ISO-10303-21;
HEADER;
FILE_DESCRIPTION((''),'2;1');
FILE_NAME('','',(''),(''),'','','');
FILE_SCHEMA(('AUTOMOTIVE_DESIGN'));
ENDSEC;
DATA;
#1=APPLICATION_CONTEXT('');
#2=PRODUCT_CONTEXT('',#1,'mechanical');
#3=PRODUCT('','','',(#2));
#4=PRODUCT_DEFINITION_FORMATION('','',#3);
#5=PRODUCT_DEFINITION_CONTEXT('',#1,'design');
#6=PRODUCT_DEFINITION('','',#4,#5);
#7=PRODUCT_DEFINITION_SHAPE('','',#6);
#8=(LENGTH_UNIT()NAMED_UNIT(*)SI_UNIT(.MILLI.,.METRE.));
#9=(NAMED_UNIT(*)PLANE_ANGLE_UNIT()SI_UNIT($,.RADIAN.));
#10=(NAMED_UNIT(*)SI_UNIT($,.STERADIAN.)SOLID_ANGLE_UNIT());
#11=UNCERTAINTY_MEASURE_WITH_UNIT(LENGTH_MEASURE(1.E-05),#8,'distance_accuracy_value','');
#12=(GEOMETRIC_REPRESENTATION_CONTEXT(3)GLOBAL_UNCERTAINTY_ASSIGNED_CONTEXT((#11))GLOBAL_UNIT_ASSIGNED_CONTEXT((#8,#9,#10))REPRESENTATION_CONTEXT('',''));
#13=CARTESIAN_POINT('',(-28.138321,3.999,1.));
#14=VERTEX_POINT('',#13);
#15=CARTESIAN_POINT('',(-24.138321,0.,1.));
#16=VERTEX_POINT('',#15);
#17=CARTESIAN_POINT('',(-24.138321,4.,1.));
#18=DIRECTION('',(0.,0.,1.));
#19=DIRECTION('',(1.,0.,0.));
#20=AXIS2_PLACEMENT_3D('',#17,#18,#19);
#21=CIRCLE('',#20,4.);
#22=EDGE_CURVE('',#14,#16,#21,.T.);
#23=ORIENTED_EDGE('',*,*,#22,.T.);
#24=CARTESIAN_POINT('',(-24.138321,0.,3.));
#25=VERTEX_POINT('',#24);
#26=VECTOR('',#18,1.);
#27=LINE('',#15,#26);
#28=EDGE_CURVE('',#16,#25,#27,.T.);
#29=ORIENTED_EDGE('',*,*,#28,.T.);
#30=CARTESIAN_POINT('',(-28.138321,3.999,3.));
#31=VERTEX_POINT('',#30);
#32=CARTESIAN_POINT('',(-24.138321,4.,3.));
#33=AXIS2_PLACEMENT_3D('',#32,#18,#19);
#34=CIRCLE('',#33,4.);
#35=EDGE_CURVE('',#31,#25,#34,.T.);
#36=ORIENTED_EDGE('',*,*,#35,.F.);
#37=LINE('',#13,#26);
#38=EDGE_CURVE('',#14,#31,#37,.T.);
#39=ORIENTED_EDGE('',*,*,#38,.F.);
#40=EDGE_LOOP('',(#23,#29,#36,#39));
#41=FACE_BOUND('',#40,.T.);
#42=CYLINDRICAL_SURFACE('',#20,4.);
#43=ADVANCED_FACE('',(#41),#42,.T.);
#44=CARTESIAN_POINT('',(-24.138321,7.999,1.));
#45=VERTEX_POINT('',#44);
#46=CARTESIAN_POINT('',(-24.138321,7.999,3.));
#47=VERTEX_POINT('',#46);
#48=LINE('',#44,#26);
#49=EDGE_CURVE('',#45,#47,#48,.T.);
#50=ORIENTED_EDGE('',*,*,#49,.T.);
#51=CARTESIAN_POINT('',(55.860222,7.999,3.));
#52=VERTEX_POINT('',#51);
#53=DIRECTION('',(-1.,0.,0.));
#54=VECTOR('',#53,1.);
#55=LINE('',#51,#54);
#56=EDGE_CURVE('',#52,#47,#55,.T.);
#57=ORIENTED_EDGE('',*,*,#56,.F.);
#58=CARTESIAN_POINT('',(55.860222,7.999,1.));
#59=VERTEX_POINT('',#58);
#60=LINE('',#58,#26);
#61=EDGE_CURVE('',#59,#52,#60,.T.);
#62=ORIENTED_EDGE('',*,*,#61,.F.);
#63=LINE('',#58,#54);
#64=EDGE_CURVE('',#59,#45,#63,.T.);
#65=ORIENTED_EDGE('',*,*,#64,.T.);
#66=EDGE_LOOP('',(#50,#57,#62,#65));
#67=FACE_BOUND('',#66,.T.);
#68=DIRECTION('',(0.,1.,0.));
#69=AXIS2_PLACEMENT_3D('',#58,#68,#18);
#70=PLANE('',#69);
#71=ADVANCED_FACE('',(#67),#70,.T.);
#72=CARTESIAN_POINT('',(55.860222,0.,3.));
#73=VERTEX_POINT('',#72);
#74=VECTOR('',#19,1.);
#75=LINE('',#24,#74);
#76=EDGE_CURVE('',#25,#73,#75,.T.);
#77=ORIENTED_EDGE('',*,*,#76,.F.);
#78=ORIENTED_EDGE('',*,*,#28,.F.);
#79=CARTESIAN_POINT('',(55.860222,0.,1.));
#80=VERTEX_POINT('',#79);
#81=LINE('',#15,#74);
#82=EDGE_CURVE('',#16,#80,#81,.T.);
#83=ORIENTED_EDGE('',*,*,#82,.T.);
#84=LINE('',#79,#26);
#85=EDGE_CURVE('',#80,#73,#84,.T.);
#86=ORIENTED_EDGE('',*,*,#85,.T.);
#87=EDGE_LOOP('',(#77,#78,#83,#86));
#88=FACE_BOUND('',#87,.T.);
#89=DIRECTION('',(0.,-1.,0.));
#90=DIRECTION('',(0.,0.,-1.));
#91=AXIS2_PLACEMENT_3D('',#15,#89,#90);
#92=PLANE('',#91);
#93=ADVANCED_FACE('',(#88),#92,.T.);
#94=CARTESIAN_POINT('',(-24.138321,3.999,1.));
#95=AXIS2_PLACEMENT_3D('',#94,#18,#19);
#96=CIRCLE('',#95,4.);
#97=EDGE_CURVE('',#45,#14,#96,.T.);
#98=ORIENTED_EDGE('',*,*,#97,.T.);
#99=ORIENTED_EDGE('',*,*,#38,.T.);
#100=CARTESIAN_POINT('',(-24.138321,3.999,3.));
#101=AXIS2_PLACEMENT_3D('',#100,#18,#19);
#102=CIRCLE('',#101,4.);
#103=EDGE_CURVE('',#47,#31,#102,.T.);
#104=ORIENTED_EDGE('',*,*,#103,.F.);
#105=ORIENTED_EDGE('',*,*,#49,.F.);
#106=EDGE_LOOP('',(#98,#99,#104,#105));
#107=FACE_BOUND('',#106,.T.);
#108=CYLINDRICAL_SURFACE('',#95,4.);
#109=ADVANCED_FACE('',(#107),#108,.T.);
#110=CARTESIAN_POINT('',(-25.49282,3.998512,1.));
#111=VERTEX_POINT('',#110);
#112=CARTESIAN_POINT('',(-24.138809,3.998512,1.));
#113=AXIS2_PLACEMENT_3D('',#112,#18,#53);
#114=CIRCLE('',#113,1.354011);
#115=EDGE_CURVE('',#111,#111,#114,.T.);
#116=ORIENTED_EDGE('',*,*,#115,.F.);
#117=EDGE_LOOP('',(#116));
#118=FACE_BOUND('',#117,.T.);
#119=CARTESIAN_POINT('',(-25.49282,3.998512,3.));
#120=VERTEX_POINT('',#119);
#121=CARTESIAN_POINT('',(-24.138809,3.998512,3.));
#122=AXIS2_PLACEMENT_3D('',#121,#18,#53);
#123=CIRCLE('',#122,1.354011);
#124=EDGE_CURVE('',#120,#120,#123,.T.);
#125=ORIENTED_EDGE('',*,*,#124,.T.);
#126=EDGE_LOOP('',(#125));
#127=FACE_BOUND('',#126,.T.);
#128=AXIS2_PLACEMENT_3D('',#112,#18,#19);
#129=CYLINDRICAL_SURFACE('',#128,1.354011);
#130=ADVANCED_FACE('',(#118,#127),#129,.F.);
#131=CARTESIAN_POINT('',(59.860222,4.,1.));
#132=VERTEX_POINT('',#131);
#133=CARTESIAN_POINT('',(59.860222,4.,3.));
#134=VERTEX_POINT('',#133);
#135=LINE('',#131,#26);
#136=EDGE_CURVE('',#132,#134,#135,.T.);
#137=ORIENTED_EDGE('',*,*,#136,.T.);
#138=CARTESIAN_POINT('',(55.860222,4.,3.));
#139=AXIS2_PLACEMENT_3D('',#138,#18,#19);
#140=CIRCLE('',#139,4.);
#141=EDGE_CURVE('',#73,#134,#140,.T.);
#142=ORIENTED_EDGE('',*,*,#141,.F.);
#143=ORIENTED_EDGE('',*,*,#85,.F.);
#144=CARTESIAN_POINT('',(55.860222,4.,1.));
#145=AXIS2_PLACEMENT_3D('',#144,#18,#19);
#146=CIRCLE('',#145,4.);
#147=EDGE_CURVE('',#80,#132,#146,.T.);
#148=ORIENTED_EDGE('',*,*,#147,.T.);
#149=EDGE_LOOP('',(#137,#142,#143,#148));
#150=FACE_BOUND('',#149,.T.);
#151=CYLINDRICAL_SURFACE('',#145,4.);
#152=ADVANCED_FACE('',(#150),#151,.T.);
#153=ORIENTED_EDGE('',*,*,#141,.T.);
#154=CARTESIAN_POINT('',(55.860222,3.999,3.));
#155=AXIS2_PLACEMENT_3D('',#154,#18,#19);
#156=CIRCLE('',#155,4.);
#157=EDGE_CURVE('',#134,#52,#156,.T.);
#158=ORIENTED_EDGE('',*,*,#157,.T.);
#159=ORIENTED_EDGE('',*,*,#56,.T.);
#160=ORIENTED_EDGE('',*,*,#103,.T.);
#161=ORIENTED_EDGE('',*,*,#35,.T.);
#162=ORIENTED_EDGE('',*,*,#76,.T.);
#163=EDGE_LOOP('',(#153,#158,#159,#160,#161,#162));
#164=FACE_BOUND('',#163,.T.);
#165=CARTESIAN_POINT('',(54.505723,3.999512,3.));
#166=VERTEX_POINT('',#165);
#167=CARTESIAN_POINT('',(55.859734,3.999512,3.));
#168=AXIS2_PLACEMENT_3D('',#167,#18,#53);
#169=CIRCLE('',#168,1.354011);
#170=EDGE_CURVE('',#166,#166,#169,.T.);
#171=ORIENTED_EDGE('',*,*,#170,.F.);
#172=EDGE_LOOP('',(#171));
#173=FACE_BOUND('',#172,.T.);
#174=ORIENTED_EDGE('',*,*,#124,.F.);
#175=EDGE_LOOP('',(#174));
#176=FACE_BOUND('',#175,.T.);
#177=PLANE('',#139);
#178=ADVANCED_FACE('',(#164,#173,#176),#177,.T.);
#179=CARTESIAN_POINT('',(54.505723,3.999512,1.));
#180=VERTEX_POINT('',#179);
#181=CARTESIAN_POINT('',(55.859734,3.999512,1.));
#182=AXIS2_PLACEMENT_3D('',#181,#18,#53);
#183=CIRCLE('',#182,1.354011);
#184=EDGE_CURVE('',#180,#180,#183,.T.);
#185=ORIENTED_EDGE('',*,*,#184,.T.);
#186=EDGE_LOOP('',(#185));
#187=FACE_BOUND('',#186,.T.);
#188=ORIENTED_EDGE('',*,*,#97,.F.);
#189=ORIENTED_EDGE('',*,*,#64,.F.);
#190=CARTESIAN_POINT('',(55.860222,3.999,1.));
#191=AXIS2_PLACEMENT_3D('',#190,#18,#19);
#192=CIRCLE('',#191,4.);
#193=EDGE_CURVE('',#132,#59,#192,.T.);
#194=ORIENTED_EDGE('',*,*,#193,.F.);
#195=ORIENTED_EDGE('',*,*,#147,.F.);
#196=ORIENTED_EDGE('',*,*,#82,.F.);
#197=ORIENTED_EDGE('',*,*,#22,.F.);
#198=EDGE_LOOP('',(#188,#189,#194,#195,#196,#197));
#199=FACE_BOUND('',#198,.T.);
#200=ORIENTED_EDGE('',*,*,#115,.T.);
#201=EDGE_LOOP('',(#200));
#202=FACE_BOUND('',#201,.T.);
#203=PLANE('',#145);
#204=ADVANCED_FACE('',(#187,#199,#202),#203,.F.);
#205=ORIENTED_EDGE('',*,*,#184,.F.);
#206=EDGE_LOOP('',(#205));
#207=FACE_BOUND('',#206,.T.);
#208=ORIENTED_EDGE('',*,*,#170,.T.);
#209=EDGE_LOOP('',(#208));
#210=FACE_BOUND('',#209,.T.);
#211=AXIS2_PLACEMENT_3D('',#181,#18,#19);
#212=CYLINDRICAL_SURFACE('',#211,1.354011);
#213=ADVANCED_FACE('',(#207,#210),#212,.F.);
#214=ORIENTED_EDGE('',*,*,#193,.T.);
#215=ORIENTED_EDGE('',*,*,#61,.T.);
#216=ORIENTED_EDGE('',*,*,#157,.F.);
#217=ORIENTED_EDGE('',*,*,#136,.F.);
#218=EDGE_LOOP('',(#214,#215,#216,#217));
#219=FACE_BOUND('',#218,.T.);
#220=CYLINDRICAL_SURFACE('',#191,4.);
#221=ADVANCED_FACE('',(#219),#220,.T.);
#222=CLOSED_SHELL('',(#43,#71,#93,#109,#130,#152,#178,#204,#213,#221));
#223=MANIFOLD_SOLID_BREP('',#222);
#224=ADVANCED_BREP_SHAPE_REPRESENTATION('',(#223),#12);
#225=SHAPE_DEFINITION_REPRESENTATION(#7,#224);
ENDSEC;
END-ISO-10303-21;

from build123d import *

# Parameters (mm, degrees)
SKETCH_1_R      = 1.354010502
EXTRUDE_1_DEPTH = 2


with BuildPart() as part:
    # 草图1 → 凸台-拉伸1 (new body)
    with BuildSketch(Plane.XY.offset(3)):
        with BuildLine():
            Line((55.860222099, 7.999), (-24.138320535, 7.999))
            ThreePointArc((-24.138320535, 7.999), (-26.96674766, 6.827427125), (-28.138320535, 3.999))
            ThreePointArc((-28.138320535, 3.999), (-26.966394209, 1.171219344), (-24.13832066, 0))
            Line((-24.13832066, 0), (55.860221974, 0))
            ThreePointArc((55.860221974, 0), (58.688649099, 1.171572875), (59.860221974, 4))
            ThreePointArc((59.860221974, 4), (58.688295648, 6.827780656), (55.860222099, 7.999))
        make_face()
        with Locations(Location((55.859733508, 3.999511534, 0), (0, 0, 180))):
            Circle(SKETCH_1_R, mode=Mode.SUBTRACT)
        with Locations(Location((-24.138809001, 3.998511534, 0), (0, 0, 180))):
            Circle(SKETCH_1_R, mode=Mode.SUBTRACT)
    extrude(amount=-EXTRUDE_1_DEPTH)


solid = part.part
